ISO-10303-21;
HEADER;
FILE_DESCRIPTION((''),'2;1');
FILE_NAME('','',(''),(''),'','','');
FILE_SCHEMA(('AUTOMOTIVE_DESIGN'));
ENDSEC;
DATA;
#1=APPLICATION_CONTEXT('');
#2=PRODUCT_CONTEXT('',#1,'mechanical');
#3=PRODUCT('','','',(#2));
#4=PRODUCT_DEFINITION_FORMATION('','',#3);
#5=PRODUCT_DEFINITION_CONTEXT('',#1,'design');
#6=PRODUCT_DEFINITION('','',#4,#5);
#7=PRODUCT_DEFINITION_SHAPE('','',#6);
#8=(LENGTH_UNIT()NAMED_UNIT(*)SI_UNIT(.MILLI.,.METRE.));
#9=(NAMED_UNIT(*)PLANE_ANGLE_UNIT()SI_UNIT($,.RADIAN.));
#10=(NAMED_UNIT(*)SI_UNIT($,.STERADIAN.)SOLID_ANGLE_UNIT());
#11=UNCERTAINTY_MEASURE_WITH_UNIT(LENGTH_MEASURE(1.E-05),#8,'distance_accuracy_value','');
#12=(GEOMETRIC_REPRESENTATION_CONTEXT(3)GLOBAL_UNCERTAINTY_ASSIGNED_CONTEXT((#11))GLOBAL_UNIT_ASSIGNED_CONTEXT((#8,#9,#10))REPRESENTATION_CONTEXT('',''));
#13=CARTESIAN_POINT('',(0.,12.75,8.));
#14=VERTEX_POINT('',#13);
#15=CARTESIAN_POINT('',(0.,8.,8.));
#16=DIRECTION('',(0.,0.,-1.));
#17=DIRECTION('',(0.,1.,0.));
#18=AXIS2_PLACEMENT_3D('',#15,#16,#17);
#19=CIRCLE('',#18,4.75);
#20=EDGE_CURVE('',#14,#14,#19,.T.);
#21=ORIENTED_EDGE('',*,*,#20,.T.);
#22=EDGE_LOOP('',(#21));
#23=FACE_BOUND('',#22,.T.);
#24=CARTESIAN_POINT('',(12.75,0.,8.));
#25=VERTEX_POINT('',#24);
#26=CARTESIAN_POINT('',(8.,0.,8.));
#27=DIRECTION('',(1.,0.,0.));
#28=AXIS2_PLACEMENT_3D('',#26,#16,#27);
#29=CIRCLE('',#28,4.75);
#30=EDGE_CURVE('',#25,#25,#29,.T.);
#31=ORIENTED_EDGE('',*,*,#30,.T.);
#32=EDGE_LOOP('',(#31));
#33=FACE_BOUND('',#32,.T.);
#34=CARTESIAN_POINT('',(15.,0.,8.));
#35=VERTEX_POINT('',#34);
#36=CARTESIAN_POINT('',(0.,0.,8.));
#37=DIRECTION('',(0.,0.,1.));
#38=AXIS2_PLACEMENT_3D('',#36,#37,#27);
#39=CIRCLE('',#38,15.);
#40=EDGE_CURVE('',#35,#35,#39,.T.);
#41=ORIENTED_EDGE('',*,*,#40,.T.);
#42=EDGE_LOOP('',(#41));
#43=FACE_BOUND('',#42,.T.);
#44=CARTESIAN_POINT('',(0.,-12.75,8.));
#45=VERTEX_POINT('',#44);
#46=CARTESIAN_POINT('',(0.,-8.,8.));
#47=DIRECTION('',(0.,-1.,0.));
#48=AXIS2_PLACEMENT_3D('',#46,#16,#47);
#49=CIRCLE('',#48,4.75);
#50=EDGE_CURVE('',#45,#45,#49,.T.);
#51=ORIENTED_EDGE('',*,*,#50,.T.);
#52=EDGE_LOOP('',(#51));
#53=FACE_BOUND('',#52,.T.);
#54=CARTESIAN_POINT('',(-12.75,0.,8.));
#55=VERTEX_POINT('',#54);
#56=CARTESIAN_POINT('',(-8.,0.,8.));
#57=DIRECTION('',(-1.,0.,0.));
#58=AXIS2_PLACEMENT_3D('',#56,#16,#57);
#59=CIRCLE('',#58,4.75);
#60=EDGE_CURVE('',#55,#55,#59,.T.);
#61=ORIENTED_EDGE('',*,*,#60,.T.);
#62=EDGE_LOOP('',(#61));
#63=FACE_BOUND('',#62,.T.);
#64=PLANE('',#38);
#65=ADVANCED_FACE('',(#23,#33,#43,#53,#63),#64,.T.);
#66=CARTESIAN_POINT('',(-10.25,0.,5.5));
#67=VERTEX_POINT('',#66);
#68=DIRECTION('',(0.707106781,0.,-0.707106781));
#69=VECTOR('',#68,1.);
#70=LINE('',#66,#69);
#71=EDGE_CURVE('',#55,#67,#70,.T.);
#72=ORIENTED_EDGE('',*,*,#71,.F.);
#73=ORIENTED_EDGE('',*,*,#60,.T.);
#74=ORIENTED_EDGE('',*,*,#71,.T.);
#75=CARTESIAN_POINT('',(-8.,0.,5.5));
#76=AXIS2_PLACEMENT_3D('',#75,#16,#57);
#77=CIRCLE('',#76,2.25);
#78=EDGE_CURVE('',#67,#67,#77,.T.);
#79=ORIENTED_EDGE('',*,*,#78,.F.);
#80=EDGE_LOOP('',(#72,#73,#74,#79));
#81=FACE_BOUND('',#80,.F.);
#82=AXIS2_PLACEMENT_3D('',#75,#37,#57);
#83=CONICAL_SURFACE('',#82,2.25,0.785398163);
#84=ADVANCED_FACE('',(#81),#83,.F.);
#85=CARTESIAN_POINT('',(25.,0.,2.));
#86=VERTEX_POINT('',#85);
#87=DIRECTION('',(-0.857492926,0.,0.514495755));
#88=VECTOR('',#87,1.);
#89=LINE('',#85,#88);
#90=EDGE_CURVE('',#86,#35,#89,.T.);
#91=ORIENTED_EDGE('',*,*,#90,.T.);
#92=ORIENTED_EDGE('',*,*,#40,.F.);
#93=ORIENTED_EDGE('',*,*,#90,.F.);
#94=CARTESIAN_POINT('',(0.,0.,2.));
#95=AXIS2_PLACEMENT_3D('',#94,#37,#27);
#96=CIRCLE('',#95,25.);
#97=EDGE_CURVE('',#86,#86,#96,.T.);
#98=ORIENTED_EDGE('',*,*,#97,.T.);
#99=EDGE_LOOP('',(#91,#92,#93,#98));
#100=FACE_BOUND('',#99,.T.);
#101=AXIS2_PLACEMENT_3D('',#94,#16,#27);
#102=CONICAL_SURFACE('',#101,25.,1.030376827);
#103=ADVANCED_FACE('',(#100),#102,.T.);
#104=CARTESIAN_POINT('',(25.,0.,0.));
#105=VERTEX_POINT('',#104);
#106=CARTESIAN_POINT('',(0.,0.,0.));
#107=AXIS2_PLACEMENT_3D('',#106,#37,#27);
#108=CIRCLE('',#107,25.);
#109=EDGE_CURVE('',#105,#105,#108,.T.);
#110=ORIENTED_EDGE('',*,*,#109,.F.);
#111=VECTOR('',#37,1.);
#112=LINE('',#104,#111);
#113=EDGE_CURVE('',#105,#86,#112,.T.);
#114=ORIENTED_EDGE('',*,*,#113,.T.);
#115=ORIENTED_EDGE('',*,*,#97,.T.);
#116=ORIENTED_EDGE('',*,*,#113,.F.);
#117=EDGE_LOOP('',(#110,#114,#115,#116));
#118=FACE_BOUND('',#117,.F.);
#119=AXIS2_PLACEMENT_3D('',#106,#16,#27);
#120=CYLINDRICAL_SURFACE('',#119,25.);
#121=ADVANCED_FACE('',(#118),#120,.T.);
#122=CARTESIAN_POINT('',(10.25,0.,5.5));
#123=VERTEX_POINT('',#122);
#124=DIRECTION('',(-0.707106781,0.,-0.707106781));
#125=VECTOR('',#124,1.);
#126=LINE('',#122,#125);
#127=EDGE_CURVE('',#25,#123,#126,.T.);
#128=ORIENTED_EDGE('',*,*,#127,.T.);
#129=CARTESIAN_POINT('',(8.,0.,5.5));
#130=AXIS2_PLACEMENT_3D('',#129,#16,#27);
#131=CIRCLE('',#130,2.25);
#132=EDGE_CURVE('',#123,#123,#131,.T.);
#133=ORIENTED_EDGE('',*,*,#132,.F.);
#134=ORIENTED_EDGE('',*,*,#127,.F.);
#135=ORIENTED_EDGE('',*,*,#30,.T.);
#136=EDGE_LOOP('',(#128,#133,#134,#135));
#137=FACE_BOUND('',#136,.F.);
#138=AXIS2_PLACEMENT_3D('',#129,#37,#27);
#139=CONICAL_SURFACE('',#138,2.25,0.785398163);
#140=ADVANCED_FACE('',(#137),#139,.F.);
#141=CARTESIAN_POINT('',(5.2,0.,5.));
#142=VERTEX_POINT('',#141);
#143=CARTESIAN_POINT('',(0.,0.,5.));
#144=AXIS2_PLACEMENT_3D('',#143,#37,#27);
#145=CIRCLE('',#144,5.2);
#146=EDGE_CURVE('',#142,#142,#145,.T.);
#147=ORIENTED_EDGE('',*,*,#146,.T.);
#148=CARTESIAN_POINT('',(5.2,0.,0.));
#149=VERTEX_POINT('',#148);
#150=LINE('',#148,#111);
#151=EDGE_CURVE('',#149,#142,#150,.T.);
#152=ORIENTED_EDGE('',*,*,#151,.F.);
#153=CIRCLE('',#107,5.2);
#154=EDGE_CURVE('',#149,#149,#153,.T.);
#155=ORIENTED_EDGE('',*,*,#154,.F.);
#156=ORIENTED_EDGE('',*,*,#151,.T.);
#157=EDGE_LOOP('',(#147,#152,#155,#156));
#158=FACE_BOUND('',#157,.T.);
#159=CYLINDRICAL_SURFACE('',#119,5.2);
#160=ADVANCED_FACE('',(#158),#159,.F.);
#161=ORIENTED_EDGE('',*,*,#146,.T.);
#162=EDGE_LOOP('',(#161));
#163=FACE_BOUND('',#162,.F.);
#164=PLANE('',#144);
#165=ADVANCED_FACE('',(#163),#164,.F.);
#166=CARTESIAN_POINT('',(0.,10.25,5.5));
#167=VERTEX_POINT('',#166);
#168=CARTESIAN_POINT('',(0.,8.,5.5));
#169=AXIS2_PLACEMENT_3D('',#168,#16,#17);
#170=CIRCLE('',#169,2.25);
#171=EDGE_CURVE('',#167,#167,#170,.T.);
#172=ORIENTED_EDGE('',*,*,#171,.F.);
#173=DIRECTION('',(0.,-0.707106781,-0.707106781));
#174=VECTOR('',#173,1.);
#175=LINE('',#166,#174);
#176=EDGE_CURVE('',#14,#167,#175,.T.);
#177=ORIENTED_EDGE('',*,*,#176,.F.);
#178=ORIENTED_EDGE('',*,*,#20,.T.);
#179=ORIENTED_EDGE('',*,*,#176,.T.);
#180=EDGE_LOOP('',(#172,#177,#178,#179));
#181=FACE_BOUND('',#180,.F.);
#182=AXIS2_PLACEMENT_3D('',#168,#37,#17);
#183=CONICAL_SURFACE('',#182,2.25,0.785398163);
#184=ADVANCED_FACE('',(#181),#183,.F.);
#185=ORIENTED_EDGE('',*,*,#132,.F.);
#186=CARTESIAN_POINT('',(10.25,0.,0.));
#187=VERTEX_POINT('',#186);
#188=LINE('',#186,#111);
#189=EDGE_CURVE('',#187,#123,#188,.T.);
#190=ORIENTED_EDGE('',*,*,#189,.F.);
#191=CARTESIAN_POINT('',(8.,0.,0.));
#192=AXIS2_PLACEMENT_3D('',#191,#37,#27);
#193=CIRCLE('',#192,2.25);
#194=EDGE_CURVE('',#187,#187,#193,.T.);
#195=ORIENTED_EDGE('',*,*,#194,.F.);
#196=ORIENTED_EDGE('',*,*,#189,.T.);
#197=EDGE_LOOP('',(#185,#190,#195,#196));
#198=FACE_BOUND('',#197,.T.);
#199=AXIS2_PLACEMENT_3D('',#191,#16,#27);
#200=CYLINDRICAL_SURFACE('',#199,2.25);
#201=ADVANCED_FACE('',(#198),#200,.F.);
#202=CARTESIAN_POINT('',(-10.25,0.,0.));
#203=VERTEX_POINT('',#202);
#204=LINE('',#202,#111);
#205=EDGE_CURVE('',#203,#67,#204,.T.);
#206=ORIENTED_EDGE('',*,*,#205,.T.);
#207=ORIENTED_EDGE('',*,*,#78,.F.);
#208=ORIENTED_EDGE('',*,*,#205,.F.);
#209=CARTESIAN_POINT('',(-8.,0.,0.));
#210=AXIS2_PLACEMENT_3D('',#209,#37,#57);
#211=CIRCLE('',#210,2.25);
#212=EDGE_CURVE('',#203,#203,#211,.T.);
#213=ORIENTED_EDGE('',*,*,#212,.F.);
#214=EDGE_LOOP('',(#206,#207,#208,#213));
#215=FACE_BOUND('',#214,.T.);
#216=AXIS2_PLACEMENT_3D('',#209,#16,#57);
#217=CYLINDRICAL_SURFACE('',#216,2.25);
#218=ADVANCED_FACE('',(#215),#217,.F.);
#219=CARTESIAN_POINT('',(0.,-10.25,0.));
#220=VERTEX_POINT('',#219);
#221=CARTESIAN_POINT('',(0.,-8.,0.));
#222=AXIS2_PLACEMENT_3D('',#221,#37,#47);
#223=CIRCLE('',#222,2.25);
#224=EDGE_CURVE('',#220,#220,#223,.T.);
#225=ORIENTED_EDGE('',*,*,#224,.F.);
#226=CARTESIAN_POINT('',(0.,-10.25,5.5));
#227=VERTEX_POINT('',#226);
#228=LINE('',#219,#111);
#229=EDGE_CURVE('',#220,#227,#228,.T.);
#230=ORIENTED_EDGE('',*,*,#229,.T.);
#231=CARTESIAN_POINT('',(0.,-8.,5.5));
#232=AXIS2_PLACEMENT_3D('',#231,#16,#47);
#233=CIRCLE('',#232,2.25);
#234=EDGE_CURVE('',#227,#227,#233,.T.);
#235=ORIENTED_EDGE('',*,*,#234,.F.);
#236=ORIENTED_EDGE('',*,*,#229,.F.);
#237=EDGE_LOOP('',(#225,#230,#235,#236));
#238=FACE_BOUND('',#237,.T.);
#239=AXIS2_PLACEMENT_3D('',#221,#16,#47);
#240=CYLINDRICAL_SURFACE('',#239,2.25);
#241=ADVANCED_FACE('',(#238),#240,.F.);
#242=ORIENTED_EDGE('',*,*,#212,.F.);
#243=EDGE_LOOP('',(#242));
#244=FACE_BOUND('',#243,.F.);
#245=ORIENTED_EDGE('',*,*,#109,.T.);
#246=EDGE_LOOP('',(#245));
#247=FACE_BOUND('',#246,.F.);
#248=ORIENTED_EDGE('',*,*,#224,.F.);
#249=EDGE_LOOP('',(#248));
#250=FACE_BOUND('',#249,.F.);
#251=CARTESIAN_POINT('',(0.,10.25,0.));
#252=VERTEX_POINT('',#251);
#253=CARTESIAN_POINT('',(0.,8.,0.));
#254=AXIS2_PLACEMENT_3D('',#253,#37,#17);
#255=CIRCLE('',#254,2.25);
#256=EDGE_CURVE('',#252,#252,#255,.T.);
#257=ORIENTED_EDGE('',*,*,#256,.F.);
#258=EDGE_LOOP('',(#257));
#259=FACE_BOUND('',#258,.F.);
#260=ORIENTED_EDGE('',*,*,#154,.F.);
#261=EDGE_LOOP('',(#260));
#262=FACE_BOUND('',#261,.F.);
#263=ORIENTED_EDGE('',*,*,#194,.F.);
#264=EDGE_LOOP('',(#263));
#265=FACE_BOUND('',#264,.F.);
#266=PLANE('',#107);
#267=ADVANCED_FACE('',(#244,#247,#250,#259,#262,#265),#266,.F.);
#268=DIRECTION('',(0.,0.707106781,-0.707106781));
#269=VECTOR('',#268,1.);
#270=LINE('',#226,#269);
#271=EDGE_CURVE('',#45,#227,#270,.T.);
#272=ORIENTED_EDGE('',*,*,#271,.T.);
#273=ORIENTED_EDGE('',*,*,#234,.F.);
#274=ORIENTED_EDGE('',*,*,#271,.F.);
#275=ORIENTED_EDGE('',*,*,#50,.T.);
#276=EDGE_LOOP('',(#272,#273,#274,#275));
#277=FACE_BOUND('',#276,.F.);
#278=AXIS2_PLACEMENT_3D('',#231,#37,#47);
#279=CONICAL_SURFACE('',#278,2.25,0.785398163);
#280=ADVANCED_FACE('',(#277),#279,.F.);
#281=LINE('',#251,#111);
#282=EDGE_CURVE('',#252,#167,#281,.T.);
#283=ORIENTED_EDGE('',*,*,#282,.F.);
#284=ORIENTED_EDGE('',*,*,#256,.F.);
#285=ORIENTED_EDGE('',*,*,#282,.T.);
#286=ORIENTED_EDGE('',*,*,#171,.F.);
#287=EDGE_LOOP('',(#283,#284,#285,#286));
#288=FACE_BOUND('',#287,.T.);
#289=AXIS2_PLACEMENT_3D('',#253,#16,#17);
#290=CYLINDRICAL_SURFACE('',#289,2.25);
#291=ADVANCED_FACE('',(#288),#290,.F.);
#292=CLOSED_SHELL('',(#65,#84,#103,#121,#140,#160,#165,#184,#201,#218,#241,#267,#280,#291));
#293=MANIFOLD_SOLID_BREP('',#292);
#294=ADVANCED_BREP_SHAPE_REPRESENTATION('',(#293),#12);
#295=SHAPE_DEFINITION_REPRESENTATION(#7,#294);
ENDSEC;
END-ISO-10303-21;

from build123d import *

# Parameters (mm, degrees)
CYLINDER_R        = 5.2
CYLINDER_DEPTH    = 5
CYLINDER002_R     = 2.25
CYLINDER002_DEPTH = 15
ARRAY_COUNT       = 4
CYLINDER005_R     = 25
CYLINDER005_DEPTH = 2
CYLINDER001_R     = 15
CYLINDER001_DEPTH = 8
CHAMFER_SIZE      = 2.5


with BuildPart() as eje:
    # Cylinder → Cylinder (new body)
    with BuildSketch(Plane.XY):
        Circle(CYLINDER_R)
    extrude(amount=CYLINDER_DEPTH)


with BuildPart() as fusion:
    # Cylinder002 → Cylinder002 (new body)
    with BuildSketch(Plane(origin=(8, 0, 0), x_dir=(1, 0, 0), z_dir=(0, 0, 1))):
        Circle(CYLINDER002_R)
    extrude(amount=CYLINDER002_DEPTH)

    # Array: Fusion ×4 about axis
    array_axis = Axis((0, 0, 0), (0, 0, 1))


with BuildPart() as fusion_1:
    add(fusion.part)
    for i in range(1, ARRAY_COUNT):
        add(fusion.part.rotate(array_axis, i * 360 / ARRAY_COUNT))

    # Fusion: union eje
    add(eje.part)


with BuildPart() as cilindro003:
    # Cylinder005 → Cylinder005 (new body)
    with BuildSketch(Plane.XY):
        Circle(CYLINDER005_R)
    extrude(amount=CYLINDER005_DEPTH)


with BuildPart() as cono:
    # Cone → Cone (revolve)
    with BuildSketch(Plane(origin=(0, 0, 2), x_dir=(1, 0, 0), z_dir=(0, -1, 0))):
        Polygon((0, 0), (25, 0), (15, 6), (0, 6), align=None)
    revolve(axis=Axis((0, 0, 2), (0, 0, 1)))


with BuildPart() as chamfer_body:
    # Cylinder001 → Cylinder001 (new body)
    with BuildSketch(Plane.XY):
        Circle(CYLINDER001_R)
    extrude(amount=CYLINDER001_DEPTH)

    # Fusion001: union Cilindro003, Cono
    add(cilindro003.part)
    add(cono.part)

    # Cut: cut Fusion
    add(fusion_1.part, mode=Mode.SUBTRACT)

    # Chamfer
    chamfer_edges = [chamfer_body.edges().sort_by_distance(p)[0] for p in [
        (5.75, 0, 8),
        (0, -5.75, 8),
        (-5.75, 0, 8),
        (0, 5.75, 8),
    ]]
    chamfer(chamfer_edges, length=CHAMFER_SIZE)


solid = chamfer_body.part
